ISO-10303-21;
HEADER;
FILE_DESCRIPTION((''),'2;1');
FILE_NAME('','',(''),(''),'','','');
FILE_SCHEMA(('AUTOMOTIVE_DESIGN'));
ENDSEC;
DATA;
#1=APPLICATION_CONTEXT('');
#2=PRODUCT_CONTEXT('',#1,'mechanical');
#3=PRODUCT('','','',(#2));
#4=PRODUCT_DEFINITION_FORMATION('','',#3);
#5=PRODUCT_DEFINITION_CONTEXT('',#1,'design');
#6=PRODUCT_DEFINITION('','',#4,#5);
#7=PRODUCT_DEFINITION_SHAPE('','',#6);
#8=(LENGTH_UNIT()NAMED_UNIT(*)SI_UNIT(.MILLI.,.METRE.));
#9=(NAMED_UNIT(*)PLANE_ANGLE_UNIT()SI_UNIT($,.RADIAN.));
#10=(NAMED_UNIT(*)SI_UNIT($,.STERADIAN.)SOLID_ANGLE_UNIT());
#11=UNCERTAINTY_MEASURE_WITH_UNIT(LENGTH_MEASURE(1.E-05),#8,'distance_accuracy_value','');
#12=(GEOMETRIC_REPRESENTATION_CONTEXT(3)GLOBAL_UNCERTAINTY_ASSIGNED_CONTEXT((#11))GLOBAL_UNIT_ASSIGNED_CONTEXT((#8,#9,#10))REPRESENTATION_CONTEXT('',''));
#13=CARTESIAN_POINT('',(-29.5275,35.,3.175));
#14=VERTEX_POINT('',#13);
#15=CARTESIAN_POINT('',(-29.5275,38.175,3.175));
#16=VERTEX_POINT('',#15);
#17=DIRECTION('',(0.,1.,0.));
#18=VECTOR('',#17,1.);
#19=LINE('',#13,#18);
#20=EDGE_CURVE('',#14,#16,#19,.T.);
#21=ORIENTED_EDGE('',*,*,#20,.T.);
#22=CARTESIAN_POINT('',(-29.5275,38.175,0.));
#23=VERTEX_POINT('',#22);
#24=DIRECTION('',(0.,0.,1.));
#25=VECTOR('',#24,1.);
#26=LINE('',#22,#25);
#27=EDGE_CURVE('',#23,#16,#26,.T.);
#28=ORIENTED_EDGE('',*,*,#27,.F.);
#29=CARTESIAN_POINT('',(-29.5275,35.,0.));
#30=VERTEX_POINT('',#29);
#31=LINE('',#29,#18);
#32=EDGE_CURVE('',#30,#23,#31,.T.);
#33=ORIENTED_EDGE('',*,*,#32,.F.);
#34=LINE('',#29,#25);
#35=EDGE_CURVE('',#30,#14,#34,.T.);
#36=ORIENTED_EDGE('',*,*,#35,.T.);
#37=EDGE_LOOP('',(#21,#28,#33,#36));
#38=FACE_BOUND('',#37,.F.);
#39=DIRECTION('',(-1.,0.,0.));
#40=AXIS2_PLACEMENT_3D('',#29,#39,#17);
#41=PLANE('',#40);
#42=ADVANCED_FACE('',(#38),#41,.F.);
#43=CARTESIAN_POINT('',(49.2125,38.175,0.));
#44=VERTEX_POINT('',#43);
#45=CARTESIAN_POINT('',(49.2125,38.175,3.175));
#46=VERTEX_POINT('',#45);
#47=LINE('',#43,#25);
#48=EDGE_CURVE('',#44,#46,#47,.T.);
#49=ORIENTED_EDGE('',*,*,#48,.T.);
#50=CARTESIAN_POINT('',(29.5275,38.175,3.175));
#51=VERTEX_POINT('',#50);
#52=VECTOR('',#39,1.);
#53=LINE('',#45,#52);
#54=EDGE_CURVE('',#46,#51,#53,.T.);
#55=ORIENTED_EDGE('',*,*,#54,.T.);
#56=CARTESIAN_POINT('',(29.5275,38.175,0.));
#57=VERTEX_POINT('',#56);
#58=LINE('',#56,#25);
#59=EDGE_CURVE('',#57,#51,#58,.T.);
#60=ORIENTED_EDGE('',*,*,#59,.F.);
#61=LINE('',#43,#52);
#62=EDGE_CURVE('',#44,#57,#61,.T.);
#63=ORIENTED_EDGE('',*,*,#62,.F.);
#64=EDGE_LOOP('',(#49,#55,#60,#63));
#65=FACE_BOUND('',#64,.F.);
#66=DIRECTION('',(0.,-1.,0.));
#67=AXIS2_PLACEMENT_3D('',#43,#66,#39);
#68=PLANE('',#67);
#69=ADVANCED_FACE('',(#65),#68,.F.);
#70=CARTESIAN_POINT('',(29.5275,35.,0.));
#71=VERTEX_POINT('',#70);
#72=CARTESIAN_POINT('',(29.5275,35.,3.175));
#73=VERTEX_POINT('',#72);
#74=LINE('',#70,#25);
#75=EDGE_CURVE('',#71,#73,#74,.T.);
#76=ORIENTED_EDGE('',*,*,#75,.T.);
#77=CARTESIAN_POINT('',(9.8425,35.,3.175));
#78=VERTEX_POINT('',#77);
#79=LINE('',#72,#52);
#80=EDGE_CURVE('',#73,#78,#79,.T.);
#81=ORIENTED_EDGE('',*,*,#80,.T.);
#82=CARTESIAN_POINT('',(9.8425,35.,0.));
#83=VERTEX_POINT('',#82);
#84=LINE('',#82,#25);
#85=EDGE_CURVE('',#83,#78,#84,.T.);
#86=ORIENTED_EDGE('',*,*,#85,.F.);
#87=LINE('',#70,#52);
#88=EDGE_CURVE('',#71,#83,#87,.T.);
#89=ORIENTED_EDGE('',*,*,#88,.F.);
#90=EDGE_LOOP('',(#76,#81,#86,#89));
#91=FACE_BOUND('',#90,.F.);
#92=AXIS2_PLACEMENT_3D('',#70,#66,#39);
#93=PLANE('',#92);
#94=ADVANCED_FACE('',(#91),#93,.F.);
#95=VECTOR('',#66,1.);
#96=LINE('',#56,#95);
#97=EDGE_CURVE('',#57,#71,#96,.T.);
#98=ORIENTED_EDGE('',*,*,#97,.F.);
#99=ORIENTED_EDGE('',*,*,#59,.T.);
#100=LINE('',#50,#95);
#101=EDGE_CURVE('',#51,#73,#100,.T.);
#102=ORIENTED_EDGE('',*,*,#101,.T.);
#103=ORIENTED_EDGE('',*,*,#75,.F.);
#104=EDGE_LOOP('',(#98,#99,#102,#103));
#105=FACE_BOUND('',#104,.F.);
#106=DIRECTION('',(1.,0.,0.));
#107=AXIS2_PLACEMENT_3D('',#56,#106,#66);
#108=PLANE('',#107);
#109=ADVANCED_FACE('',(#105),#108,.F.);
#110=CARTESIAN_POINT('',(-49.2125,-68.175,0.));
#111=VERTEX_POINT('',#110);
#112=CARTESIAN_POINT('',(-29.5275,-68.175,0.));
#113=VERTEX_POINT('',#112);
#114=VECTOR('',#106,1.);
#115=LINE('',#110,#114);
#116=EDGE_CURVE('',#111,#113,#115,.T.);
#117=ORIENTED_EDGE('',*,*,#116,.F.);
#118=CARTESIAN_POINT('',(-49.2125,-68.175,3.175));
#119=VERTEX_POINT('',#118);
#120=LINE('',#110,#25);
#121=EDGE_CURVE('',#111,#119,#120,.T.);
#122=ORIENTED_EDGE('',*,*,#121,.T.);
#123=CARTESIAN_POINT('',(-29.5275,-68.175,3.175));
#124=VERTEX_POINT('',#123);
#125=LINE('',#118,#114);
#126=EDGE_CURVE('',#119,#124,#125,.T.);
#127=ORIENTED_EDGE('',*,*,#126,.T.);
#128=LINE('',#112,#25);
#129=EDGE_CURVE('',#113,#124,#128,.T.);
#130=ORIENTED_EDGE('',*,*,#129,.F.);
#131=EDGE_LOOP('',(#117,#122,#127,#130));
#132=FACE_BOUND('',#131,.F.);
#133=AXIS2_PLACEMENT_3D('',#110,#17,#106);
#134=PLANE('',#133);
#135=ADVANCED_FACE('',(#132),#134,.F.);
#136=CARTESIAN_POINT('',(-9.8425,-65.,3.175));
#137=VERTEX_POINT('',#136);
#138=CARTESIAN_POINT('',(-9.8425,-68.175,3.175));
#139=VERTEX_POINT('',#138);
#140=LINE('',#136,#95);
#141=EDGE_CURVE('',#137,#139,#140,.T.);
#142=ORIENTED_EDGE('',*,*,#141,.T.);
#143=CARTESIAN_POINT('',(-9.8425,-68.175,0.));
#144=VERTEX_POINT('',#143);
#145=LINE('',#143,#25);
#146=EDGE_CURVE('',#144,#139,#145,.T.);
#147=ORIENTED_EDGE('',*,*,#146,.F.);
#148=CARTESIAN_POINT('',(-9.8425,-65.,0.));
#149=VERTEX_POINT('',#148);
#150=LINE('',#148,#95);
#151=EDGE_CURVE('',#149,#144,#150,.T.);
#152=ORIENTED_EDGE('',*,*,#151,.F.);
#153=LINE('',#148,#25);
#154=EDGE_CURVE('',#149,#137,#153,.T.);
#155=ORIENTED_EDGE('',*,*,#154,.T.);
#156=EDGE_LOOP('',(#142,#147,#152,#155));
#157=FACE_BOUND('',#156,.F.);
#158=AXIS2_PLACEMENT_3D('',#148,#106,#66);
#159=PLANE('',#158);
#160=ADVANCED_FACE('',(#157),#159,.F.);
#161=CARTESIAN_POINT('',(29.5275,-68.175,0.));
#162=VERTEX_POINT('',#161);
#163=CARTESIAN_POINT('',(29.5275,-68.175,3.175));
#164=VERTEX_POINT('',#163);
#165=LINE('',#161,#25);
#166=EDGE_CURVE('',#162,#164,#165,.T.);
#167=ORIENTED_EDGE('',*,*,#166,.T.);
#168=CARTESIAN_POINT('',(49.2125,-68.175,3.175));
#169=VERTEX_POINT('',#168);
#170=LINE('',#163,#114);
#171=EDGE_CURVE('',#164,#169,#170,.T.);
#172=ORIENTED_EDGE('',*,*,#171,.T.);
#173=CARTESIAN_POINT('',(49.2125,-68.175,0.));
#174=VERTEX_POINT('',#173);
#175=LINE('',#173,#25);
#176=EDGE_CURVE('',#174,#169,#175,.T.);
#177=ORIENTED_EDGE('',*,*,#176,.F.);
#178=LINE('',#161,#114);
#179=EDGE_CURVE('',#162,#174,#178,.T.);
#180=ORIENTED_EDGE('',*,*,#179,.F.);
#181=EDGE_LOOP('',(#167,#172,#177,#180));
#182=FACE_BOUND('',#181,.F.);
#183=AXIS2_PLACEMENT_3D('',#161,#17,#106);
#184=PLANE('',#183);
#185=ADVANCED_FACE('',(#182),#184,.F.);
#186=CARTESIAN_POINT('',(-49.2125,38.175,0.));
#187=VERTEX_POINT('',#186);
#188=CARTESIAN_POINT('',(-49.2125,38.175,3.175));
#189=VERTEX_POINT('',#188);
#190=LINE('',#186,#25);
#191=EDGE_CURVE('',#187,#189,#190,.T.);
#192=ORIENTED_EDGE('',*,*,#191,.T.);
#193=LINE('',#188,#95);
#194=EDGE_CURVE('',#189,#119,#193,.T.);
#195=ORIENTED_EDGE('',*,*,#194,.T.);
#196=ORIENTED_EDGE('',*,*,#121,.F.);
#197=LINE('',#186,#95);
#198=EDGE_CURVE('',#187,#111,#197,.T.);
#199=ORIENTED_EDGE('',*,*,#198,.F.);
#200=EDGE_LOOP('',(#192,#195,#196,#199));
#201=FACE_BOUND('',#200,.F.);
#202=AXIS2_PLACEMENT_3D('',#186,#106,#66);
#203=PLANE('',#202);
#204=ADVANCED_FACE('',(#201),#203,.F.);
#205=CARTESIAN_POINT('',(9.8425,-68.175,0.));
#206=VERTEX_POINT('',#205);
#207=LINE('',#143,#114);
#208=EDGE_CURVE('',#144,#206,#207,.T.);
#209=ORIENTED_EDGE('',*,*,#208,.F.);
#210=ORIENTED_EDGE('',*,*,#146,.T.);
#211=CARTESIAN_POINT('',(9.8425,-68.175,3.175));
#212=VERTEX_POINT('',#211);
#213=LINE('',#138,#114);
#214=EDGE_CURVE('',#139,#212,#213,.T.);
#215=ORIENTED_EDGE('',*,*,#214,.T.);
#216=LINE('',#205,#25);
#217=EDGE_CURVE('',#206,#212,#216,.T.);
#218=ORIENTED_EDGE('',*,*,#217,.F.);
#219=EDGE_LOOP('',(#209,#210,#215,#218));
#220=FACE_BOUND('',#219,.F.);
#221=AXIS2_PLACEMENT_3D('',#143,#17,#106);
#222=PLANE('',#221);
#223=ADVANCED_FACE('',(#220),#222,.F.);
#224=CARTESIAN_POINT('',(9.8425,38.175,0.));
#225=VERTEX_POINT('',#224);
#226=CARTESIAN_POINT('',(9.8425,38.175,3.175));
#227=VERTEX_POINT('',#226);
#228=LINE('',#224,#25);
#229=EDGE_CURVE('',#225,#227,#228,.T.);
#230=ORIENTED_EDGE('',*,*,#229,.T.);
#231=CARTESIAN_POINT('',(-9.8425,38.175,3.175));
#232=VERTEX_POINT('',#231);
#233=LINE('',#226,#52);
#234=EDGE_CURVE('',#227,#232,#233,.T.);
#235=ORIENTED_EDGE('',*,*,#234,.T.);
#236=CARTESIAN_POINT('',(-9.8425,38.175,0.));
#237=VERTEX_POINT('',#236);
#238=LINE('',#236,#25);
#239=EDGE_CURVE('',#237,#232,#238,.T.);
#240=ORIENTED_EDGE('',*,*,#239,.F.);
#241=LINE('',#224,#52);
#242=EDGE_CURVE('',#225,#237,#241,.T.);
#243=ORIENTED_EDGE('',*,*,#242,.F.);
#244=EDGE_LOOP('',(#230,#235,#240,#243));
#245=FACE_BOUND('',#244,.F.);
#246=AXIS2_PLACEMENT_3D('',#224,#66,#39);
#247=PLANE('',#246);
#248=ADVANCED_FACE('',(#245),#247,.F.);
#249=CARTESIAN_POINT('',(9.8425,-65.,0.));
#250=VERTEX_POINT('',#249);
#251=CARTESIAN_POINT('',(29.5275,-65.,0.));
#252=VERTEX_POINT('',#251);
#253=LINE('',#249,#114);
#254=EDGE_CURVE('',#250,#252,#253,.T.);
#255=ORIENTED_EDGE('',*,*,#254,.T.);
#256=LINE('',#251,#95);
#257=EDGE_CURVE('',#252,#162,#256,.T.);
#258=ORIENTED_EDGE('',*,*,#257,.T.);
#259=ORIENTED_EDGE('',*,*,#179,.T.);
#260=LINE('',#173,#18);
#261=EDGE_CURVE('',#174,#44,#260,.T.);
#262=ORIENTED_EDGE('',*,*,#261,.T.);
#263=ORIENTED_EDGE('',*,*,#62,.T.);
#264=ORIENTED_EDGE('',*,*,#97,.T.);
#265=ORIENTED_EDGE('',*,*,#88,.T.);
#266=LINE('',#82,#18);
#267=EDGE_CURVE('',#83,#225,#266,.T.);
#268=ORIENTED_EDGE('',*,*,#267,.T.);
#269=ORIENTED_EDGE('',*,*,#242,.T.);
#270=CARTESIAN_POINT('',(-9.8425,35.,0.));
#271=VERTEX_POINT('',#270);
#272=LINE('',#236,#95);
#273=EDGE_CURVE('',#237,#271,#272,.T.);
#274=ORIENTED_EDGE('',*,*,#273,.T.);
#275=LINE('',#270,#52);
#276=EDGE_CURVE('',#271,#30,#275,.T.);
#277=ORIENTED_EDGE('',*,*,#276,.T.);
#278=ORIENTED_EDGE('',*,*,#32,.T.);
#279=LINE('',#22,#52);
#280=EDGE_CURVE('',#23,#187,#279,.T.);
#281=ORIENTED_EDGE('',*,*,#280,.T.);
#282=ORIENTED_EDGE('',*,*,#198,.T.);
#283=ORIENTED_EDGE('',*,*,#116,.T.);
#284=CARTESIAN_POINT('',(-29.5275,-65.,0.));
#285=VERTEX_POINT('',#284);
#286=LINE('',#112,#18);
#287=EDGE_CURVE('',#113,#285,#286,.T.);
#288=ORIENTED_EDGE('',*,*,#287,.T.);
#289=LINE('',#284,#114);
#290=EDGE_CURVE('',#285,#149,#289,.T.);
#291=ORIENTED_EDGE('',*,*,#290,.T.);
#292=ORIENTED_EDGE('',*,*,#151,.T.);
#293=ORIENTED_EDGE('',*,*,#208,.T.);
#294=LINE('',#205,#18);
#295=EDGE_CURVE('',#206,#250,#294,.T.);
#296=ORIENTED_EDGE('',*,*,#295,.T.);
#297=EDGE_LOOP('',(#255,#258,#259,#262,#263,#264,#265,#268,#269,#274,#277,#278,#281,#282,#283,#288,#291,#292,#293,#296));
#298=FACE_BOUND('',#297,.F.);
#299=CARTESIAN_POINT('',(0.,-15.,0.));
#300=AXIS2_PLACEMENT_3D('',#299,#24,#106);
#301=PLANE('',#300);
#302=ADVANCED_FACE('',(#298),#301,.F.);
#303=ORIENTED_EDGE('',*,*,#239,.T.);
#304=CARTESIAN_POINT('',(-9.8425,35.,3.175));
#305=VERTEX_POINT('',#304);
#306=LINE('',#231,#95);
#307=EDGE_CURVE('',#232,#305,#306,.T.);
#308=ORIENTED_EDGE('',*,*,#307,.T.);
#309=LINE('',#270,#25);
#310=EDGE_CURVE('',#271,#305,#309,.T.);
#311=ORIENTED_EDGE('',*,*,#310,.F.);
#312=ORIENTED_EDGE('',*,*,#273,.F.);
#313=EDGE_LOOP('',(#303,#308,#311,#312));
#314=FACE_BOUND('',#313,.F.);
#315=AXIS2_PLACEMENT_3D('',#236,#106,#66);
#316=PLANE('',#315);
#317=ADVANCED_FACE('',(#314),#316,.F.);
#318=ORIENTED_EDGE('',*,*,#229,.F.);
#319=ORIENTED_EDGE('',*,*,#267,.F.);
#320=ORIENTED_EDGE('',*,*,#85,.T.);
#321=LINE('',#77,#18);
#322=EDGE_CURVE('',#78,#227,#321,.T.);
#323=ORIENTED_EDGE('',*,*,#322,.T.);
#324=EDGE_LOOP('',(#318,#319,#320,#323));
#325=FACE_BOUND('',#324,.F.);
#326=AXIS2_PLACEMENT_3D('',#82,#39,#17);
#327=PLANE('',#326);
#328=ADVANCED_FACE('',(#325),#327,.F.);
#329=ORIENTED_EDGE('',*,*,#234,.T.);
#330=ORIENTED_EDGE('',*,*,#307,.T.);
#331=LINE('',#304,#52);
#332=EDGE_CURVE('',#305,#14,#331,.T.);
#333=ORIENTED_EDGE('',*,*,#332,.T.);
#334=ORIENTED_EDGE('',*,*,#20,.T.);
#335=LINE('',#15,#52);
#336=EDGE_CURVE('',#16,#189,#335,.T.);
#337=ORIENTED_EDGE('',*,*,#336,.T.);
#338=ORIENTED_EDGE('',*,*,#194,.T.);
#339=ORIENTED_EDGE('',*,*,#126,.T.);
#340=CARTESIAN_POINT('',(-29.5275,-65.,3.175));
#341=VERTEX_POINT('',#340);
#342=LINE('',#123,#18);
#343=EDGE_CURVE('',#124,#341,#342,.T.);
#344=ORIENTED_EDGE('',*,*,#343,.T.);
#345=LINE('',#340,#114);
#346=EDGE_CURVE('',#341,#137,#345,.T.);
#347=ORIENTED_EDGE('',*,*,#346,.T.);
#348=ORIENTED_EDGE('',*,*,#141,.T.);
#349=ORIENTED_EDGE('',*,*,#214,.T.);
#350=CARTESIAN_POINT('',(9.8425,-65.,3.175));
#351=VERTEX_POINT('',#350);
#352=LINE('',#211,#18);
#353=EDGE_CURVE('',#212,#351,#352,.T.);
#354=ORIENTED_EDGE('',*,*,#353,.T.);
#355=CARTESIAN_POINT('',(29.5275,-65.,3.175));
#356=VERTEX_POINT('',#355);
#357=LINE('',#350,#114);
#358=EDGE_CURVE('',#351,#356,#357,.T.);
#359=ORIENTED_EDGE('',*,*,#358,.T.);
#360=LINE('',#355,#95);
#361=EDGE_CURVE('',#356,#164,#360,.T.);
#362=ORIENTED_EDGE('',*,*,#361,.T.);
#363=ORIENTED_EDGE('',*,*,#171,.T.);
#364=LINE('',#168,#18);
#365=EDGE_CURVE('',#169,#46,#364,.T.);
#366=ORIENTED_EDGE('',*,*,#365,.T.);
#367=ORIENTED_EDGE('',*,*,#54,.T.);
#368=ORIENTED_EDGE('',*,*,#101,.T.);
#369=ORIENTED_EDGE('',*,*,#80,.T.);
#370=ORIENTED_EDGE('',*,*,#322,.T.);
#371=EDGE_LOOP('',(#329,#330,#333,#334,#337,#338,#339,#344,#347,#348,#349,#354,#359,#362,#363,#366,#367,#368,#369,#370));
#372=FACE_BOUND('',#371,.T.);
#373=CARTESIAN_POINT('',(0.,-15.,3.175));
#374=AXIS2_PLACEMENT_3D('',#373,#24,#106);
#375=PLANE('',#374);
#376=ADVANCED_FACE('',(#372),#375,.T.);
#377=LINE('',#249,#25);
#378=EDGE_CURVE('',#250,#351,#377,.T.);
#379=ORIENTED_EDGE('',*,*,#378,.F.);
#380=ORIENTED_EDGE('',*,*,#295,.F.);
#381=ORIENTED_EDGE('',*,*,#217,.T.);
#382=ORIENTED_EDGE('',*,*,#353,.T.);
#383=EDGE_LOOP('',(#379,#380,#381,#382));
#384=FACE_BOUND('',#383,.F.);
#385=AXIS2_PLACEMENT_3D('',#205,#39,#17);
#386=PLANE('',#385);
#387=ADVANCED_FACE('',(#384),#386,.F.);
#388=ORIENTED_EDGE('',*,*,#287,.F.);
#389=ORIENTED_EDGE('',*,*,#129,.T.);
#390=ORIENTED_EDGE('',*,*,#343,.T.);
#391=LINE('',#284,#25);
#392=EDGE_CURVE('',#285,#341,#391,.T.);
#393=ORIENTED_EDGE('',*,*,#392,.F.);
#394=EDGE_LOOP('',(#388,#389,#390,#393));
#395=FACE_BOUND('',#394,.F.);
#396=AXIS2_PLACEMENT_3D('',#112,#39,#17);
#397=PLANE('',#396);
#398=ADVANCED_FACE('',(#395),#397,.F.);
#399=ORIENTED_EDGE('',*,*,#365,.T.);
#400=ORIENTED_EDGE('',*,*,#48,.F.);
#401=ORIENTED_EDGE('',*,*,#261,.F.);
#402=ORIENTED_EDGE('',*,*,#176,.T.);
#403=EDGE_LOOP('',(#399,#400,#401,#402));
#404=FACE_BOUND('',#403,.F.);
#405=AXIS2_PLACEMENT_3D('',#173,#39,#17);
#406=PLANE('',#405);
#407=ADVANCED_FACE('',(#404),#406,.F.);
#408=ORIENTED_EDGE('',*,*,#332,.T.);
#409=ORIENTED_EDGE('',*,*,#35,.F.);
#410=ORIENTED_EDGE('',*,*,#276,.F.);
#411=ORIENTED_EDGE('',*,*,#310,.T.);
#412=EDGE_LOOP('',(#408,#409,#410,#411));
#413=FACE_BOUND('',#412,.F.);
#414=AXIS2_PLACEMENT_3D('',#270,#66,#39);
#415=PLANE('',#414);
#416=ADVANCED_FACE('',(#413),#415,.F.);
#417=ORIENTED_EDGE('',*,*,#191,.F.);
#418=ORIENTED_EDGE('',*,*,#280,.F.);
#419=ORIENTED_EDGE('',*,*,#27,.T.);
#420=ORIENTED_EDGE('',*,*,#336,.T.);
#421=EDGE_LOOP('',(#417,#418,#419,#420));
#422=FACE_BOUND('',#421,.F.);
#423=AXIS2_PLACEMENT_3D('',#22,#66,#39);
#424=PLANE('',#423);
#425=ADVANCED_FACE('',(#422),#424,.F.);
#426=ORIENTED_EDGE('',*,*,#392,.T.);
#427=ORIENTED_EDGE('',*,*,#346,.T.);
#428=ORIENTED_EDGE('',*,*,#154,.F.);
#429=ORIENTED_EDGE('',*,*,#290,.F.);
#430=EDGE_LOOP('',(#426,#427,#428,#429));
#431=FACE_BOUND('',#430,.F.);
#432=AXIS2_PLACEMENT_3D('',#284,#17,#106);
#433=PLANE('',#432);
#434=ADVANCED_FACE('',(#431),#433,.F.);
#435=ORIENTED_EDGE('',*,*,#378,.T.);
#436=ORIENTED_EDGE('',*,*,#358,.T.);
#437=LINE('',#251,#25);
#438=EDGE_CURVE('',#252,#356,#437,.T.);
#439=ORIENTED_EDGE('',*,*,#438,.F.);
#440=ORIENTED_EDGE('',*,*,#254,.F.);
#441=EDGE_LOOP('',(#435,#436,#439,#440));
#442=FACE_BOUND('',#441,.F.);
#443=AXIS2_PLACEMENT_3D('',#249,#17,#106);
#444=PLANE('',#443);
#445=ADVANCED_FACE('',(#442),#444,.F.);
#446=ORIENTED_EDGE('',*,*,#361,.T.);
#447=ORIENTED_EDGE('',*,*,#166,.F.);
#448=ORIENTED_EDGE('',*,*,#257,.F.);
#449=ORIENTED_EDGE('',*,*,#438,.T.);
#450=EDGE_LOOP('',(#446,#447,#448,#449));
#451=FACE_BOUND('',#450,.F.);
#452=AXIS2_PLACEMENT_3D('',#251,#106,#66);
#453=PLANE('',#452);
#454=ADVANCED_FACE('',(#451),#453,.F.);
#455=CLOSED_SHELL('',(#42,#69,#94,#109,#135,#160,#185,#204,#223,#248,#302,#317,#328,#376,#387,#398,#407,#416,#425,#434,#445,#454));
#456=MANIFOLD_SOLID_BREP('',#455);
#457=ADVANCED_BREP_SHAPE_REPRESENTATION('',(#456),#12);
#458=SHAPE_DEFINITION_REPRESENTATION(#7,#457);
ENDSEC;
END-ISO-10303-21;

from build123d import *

# Parameters (mm, degrees)
F1_DEPTH = 3.175


with BuildPart() as f1:
    # F0 (on Top) → F1 (new body)
    with BuildSketch(Plane.XY):
        Polygon((-29.5275, 38.175), (-49.2125, 38.175), (-49.2125, 35), (-49.2125, -65), (-49.2125, -68.175), (-29.5275, -68.175), (-29.5275, -65), (-9.8425, -65), (-9.8425, -68.175), (9.8425, -68.175), (9.8425, -65), (29.5275, -65), (29.5275, -68.175), (49.2125, -68.175), (49.2125, -65), (49.2125, 35), (49.2125, 38.175), (29.5275, 38.175), (29.5275, 35), (9.8425, 35), (9.8425, 38.175), (-9.8425, 38.175), (-9.8425, 35), (-29.5275, 35), align=None)
    extrude(amount=F1_DEPTH)


solid = f1.part
